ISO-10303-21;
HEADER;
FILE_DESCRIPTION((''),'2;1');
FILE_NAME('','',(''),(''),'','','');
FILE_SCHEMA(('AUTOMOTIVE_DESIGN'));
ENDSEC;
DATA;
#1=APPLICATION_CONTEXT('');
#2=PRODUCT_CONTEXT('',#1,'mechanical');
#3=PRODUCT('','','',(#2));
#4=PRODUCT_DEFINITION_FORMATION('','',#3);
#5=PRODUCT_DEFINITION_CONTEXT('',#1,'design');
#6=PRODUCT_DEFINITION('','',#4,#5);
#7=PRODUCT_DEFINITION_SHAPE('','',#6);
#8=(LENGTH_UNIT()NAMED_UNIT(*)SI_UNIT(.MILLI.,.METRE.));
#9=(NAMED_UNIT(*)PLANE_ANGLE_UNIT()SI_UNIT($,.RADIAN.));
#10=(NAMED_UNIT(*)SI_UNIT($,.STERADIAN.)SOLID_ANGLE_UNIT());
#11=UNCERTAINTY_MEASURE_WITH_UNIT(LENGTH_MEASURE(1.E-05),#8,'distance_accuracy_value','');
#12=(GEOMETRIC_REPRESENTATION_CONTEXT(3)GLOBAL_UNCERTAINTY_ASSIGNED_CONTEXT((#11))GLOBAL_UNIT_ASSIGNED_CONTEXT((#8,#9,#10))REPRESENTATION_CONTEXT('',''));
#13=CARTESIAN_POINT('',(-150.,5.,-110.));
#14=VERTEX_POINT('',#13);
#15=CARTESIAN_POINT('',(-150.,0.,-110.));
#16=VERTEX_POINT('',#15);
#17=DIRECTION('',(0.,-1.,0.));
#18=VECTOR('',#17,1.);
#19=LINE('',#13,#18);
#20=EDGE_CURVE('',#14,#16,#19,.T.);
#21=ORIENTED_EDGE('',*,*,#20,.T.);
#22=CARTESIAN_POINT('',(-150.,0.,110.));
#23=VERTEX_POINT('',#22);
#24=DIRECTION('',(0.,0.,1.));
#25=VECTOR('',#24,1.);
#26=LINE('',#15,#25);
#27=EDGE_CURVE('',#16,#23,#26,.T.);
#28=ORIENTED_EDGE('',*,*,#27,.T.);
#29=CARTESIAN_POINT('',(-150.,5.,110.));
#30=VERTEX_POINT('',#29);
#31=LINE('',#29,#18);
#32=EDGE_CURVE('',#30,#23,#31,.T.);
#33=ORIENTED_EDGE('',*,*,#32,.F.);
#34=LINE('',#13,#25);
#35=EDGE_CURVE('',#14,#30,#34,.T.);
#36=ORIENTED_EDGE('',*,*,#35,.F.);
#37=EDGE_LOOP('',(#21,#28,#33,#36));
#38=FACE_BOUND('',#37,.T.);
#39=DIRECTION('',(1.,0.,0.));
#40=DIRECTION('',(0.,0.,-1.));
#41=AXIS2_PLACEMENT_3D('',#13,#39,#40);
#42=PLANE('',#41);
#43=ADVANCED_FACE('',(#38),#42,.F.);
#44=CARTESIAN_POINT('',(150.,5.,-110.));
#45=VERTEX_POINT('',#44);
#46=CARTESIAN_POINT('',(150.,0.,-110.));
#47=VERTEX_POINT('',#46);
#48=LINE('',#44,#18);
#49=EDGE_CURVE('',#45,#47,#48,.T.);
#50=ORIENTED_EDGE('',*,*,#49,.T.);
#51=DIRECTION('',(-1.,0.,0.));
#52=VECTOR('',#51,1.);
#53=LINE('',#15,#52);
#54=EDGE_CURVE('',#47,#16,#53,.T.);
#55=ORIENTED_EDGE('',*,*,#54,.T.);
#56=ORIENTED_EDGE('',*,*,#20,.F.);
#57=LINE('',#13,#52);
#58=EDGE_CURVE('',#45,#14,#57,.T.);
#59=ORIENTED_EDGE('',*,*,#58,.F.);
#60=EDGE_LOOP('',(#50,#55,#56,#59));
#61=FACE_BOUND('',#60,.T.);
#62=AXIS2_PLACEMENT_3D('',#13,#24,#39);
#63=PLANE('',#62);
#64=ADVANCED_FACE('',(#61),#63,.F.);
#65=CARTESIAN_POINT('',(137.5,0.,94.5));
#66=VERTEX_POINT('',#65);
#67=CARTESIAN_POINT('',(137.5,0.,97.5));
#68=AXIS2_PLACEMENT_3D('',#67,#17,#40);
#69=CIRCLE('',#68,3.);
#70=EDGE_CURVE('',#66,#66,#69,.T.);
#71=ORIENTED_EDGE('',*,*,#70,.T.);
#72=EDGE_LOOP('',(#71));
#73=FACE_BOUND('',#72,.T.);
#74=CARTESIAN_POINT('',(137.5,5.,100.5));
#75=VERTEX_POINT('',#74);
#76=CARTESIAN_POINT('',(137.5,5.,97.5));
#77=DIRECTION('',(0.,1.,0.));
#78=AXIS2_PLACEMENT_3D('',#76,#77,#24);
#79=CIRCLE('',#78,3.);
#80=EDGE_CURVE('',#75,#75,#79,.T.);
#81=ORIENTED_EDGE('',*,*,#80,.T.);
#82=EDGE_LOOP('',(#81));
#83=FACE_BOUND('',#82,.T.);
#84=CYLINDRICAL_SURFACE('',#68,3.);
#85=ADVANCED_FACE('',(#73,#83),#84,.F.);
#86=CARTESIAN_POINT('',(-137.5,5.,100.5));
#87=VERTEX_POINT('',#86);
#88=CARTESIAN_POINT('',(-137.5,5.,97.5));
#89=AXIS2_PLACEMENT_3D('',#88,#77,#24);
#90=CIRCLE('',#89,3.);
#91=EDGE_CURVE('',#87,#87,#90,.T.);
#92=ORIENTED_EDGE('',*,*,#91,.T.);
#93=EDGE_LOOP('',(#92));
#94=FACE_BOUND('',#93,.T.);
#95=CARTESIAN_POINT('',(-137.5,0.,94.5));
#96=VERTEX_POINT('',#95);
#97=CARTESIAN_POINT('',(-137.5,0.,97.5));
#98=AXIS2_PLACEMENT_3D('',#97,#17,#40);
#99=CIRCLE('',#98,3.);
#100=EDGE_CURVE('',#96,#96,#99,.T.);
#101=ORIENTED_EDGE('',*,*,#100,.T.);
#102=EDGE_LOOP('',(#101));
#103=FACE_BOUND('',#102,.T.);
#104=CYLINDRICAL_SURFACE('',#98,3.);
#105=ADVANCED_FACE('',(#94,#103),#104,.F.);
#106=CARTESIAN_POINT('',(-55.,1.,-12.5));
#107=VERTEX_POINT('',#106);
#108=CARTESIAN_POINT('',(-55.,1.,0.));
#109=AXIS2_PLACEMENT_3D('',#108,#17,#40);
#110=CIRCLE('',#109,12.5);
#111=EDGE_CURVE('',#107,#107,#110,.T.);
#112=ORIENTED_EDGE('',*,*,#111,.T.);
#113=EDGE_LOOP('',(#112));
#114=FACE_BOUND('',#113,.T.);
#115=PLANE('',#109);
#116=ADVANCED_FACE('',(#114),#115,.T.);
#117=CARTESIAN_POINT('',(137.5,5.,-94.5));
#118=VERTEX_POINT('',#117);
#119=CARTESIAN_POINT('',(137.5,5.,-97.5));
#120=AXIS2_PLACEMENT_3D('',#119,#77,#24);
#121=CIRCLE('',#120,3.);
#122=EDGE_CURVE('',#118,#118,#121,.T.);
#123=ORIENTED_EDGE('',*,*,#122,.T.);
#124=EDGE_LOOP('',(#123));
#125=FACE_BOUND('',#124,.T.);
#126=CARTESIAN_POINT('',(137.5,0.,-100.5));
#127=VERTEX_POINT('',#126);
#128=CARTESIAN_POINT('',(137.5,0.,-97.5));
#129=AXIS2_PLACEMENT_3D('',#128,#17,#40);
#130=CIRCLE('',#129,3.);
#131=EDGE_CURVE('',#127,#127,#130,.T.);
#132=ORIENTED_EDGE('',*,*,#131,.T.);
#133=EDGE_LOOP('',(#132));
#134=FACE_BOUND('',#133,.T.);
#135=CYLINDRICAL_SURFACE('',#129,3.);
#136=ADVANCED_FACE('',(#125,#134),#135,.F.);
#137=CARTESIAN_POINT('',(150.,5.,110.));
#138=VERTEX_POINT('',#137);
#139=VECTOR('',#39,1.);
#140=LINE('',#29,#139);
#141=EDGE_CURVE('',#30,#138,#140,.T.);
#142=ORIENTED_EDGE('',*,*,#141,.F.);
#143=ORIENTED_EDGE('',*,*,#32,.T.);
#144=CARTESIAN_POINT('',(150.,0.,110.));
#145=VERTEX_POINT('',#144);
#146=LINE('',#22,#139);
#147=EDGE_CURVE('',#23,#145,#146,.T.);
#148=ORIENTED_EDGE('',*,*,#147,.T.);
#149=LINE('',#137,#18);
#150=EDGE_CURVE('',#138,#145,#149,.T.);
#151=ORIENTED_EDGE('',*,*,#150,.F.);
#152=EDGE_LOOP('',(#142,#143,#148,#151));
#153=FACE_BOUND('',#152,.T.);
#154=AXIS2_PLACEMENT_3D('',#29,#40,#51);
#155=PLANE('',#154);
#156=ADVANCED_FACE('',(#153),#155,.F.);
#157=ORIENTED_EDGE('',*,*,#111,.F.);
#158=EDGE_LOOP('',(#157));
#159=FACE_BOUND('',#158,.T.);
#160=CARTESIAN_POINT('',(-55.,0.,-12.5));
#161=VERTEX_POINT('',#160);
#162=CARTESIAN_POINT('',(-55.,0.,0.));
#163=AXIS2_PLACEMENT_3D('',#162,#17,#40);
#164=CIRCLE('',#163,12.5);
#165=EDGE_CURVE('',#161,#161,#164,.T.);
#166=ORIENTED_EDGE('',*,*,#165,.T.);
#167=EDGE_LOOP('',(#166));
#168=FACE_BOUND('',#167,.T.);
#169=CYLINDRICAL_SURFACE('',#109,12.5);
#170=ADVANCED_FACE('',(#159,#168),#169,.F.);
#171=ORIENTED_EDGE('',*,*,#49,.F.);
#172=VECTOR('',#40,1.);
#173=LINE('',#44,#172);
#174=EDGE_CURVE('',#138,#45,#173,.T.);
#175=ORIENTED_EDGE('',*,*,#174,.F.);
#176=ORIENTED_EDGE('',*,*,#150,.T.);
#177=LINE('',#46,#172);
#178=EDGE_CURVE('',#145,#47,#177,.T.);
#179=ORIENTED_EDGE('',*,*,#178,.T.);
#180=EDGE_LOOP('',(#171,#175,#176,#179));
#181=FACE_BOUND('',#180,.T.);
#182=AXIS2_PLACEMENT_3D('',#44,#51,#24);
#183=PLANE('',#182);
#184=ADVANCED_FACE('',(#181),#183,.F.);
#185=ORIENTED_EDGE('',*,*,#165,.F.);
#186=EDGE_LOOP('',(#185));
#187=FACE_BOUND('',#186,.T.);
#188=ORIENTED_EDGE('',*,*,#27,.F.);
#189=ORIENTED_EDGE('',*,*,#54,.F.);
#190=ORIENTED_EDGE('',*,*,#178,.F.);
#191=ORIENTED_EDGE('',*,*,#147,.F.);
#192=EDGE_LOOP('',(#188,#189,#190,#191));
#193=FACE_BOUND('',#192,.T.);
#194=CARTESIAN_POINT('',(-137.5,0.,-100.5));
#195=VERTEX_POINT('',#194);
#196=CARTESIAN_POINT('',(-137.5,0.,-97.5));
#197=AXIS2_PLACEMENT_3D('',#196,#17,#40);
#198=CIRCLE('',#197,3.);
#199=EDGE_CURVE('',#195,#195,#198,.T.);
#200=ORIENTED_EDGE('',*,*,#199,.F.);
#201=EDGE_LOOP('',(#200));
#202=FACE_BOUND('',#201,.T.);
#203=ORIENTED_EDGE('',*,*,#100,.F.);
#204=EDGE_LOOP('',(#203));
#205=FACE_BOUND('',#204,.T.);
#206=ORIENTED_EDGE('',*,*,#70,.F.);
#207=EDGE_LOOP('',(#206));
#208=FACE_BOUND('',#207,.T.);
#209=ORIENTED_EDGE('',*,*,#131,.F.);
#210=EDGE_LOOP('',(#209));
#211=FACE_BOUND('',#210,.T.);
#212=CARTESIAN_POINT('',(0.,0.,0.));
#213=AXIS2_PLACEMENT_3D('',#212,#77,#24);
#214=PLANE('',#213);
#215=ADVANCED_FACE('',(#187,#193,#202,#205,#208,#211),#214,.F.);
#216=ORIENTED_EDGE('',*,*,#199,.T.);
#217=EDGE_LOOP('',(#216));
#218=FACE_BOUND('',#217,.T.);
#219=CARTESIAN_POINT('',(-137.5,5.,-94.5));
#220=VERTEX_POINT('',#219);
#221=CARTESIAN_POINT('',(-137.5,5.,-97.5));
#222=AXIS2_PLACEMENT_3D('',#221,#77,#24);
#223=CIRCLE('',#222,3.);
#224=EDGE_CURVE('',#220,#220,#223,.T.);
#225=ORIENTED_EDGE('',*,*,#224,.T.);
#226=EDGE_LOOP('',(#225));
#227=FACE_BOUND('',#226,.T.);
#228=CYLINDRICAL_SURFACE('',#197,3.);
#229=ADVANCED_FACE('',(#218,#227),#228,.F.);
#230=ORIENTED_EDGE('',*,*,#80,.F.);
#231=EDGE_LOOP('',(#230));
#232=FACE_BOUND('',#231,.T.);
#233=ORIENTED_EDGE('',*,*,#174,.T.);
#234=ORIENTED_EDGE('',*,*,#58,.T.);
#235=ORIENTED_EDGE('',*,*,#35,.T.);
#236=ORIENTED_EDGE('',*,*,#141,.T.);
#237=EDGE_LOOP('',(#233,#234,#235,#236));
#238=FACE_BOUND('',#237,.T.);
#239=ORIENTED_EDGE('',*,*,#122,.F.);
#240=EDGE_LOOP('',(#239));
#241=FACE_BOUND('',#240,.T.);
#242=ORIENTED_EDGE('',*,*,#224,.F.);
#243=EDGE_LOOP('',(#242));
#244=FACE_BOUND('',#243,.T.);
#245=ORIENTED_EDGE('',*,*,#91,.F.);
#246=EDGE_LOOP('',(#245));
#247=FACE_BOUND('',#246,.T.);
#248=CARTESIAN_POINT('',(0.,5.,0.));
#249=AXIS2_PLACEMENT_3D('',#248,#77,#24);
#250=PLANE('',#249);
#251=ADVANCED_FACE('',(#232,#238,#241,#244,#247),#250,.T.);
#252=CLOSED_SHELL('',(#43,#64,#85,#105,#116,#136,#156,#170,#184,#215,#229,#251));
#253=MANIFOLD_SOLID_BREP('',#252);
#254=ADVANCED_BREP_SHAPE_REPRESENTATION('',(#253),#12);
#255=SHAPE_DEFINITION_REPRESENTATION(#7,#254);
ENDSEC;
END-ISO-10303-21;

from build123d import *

# Parameters (mm, degrees)
SKETCH1_W                    = 300
SKETCH1_H                    = 220
BOSS_EXTRUDE1_DEPTH          = 5
SKETCH2_R                    = 12.5
CUT_EXTRUDE1_DEPTH           = 1
F_6_0_6_DIAMETER_HOLE1_D     = 6
F_6_0_6_DIAMETER_HOLE1_DEPTH = 10
F_6_0_6_DIAMETER_HOLE1_TIP   = 1.802581857


with BuildPart() as part:
    # Sketch1 → Boss-Extrude1 (new body)
    with BuildSketch(Plane(origin=(0, 0, 0), x_dir=(1, 0, 0), z_dir=(0, 1, 0))):
        Rectangle(SKETCH1_W, SKETCH1_H)
    extrude(amount=BOSS_EXTRUDE1_DEPTH)

    # Sketch2 → Cut-Extrude1 (cut)
    with BuildSketch(Plane.XZ):
        with Locations(Location((-55, 0, 0), (0, 0, 270))):
            Circle(SKETCH2_R)
    extrude(amount=-CUT_EXTRUDE1_DEPTH, mode=Mode.SUBTRACT)

    # Ø6.0 (6) Diameter Hole1
    with Locations(Plane(origin=(0, 0, 0), x_dir=(-1, 0, 0), z_dir=(0, -1, 0))):
        with Locations((137.5, -97.5), (137.5, 97.5), (-137.5, 97.5), (-137.5, -97.5)):
            Hole(F_6_0_6_DIAMETER_HOLE1_D / 2, depth=F_6_0_6_DIAMETER_HOLE1_DEPTH)
            with Locations((0, 0, -(F_6_0_6_DIAMETER_HOLE1_DEPTH + F_6_0_6_DIAMETER_HOLE1_TIP / 2))):  # 118° drill point
                Cone(0, F_6_0_6_DIAMETER_HOLE1_D / 2, F_6_0_6_DIAMETER_HOLE1_TIP, mode=Mode.SUBTRACT)


solid = part.part
